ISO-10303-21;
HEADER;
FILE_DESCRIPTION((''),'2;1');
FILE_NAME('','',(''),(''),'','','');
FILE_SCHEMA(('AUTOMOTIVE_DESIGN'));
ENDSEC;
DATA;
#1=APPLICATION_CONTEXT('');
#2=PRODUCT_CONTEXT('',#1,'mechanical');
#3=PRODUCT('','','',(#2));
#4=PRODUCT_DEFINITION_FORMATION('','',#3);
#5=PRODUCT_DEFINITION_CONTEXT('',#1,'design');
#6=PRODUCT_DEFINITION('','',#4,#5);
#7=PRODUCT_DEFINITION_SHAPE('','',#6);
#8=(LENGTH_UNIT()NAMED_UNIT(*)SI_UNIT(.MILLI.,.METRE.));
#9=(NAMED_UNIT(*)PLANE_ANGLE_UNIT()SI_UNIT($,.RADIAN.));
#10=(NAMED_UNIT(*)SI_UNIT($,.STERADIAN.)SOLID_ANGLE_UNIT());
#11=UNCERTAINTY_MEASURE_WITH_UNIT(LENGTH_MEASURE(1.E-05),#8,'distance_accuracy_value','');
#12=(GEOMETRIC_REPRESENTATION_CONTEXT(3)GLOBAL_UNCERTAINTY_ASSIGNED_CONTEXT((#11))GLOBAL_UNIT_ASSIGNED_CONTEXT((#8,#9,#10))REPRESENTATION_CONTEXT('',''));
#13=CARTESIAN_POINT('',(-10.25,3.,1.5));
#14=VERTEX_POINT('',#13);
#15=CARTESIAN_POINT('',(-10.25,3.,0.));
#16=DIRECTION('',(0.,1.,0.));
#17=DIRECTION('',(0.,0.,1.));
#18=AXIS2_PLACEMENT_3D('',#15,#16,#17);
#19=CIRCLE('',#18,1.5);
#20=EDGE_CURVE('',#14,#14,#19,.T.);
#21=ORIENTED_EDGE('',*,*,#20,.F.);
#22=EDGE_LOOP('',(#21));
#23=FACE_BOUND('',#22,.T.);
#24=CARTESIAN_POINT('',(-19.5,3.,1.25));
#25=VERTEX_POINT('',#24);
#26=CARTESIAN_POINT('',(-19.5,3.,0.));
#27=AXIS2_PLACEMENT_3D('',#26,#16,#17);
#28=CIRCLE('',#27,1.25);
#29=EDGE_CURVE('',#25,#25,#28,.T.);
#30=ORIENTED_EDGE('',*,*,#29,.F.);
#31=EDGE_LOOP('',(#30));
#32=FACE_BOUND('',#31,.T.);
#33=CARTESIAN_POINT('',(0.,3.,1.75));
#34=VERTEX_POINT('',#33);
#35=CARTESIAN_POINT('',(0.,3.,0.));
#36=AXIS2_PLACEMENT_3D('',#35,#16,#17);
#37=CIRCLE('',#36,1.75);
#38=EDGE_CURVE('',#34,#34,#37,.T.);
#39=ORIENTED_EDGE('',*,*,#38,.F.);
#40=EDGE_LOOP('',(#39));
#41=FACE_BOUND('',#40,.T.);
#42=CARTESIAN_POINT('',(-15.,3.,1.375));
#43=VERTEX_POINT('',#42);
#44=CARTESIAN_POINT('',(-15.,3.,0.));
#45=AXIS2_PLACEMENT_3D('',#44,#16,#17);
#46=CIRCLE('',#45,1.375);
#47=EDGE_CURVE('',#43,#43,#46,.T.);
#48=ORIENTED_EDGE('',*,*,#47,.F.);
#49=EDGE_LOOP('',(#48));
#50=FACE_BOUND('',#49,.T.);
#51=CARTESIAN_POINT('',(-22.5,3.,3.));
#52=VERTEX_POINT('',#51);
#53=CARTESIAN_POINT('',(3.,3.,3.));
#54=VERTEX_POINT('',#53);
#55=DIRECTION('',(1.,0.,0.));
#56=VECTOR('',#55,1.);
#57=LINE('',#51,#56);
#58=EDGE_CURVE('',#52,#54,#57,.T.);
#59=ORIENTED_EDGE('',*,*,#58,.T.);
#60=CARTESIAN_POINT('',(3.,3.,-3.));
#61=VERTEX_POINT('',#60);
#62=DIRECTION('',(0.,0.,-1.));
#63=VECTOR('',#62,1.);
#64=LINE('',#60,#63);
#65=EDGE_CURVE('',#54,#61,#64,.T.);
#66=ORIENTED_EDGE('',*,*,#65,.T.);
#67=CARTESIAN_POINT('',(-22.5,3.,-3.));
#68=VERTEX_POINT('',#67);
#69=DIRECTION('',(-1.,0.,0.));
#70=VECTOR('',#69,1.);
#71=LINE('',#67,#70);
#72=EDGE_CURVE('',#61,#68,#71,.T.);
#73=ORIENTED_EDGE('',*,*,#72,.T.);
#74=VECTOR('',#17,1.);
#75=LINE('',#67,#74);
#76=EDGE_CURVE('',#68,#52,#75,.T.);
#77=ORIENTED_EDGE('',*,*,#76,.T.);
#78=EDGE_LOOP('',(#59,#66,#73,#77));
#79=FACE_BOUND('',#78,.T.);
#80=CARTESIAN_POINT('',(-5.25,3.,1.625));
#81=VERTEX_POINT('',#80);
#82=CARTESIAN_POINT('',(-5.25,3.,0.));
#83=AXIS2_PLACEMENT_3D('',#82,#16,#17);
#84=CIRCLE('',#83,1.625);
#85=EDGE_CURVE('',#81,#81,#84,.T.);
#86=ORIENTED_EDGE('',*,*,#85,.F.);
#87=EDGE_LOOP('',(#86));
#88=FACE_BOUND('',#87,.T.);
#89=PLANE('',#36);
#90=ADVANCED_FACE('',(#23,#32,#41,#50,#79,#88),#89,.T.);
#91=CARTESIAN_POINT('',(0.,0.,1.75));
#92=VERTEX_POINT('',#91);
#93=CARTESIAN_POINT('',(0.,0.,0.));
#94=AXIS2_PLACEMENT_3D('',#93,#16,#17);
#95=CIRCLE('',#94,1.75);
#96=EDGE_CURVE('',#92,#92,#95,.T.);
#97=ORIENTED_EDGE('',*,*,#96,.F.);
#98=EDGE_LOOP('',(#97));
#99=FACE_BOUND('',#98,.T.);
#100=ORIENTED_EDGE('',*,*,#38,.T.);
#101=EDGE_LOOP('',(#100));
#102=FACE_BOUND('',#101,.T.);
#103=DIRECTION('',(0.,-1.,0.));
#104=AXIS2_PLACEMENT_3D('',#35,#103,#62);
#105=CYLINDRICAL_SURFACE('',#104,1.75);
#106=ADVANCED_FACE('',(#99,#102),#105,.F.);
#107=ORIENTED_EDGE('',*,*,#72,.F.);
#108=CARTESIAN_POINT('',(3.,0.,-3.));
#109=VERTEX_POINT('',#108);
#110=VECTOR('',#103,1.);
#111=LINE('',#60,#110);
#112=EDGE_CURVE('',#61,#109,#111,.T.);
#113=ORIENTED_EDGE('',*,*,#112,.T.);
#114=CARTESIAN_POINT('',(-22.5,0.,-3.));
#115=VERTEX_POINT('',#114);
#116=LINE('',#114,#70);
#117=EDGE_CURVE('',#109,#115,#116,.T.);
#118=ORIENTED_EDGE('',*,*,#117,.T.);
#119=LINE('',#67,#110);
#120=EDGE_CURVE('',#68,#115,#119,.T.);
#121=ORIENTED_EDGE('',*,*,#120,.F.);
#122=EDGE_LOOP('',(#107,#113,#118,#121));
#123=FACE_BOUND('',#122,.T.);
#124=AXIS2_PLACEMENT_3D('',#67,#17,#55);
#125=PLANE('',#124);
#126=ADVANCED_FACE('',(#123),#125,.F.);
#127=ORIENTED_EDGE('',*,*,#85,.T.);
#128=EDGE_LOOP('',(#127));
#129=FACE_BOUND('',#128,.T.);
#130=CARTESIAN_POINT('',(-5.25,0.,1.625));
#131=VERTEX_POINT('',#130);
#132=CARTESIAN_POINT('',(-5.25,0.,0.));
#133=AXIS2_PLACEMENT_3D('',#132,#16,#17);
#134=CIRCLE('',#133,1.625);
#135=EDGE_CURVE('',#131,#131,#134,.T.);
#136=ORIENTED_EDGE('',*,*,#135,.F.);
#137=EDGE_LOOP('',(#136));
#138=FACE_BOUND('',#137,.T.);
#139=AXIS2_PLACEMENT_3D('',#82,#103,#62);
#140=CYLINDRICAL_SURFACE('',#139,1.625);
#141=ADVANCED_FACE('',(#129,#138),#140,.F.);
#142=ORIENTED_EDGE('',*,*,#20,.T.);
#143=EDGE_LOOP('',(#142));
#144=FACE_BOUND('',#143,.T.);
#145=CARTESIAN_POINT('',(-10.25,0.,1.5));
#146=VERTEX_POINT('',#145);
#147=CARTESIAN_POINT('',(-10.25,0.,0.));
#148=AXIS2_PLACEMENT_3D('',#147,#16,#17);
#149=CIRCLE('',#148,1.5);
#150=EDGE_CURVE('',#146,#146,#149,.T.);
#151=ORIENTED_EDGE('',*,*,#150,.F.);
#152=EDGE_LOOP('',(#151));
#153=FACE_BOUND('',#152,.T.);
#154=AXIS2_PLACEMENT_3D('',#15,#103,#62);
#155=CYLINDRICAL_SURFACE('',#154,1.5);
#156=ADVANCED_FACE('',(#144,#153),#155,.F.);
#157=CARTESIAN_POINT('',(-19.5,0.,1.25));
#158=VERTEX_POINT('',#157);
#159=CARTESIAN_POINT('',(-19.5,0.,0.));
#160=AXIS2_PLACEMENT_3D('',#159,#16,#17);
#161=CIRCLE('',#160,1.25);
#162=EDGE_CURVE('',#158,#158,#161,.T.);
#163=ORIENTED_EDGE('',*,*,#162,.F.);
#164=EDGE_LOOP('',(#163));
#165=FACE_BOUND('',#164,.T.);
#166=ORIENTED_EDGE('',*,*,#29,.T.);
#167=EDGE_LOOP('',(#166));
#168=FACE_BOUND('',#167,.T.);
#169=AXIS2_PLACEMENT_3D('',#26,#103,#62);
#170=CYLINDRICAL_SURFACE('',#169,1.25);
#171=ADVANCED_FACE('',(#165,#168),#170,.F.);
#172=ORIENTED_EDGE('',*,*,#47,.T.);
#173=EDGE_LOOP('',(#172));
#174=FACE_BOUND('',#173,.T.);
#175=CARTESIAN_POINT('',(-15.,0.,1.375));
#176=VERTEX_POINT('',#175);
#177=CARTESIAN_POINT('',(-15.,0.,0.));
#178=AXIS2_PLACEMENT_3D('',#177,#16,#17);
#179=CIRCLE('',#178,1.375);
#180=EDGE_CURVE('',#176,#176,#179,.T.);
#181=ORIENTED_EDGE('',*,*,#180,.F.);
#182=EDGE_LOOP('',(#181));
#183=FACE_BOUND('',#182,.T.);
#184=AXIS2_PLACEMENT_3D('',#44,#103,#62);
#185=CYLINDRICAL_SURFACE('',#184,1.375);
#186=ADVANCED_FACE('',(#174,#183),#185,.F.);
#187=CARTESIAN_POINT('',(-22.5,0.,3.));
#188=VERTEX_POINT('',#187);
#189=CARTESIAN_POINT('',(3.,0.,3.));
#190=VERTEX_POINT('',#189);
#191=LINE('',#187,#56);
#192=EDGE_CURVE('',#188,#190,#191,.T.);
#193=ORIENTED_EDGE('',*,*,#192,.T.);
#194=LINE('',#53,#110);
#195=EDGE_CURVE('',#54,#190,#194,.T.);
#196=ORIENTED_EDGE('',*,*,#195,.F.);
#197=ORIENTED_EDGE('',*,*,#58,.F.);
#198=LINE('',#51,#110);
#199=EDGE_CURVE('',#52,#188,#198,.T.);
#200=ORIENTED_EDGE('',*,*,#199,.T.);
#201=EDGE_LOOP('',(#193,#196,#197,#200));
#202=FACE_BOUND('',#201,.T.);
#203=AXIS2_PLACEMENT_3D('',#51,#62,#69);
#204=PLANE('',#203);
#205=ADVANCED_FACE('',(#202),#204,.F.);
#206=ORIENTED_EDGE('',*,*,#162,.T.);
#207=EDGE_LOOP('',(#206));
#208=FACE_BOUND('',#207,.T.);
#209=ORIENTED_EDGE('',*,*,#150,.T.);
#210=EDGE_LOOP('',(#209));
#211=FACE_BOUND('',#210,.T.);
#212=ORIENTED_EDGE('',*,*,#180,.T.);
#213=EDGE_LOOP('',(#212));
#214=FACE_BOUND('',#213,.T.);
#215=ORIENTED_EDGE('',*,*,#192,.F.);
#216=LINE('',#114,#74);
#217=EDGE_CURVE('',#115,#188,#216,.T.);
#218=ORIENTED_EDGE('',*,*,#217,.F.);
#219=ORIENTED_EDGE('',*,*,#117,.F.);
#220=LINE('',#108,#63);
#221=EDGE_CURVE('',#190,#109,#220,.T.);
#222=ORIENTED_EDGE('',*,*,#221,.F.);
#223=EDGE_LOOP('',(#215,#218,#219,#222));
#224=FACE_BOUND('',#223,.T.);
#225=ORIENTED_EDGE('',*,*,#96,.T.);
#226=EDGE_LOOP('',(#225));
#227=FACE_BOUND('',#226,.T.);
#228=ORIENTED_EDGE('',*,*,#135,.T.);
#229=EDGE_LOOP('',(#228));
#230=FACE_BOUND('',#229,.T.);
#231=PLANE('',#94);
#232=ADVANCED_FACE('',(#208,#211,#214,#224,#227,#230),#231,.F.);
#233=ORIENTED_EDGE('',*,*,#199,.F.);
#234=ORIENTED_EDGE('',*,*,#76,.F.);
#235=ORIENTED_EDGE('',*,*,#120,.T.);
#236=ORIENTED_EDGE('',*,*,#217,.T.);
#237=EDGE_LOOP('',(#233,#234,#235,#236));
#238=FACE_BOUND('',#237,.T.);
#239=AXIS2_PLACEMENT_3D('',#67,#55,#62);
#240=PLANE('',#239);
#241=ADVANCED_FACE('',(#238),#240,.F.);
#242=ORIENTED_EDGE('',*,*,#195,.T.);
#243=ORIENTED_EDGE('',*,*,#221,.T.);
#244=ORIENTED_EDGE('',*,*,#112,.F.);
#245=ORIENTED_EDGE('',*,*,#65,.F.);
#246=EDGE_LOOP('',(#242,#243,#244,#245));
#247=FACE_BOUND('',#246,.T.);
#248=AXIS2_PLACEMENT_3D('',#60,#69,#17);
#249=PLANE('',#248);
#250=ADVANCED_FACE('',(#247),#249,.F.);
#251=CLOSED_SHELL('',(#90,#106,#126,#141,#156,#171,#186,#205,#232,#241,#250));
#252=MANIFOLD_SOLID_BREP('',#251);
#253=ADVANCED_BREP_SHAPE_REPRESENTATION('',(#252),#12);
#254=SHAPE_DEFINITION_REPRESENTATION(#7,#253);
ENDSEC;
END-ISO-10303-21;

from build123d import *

# Parameters (mm, degrees)
SKETCH1_W           = 25.5
SKETCH1_H           = 6
SKETCH1_R           = 1.25
SKETCH1_R_2         = 1.5
SKETCH1_R_3         = 1.625
SKETCH1_R_4         = 1.375
SKETCH1_R_5         = 1.75
BOSS_EXTRUDE1_DEPTH = 3


with BuildPart() as part:
    # Sketch1 → Boss-Extrude1 (new body)
    with BuildSketch(Plane(origin=(0, 0, 0), x_dir=(1, 0, 0), z_dir=(0, 1, 0))):
        with Locations((-9.75, 0)):
            Rectangle(SKETCH1_W, SKETCH1_H)
        with Locations(Location((-19.5, 0, 0), (0, 0, 270))):
            Circle(SKETCH1_R, mode=Mode.SUBTRACT)
        with Locations(Location((-10.25, 0, 0), (0, 0, 270))):
            Circle(SKETCH1_R_2, mode=Mode.SUBTRACT)
        with Locations(Location((-5.25, 0, 0), (0, 0, 270))):
            Circle(SKETCH1_R_3, mode=Mode.SUBTRACT)
        with Locations(Location((-15, 0, 0), (0, 0, 270))):
            Circle(SKETCH1_R_4, mode=Mode.SUBTRACT)
        with Locations(Location((0, 0, 0), (0, 0, 270))):
            Circle(SKETCH1_R_5, mode=Mode.SUBTRACT)
    extrude(amount=BOSS_EXTRUDE1_DEPTH)


solid = part.part
